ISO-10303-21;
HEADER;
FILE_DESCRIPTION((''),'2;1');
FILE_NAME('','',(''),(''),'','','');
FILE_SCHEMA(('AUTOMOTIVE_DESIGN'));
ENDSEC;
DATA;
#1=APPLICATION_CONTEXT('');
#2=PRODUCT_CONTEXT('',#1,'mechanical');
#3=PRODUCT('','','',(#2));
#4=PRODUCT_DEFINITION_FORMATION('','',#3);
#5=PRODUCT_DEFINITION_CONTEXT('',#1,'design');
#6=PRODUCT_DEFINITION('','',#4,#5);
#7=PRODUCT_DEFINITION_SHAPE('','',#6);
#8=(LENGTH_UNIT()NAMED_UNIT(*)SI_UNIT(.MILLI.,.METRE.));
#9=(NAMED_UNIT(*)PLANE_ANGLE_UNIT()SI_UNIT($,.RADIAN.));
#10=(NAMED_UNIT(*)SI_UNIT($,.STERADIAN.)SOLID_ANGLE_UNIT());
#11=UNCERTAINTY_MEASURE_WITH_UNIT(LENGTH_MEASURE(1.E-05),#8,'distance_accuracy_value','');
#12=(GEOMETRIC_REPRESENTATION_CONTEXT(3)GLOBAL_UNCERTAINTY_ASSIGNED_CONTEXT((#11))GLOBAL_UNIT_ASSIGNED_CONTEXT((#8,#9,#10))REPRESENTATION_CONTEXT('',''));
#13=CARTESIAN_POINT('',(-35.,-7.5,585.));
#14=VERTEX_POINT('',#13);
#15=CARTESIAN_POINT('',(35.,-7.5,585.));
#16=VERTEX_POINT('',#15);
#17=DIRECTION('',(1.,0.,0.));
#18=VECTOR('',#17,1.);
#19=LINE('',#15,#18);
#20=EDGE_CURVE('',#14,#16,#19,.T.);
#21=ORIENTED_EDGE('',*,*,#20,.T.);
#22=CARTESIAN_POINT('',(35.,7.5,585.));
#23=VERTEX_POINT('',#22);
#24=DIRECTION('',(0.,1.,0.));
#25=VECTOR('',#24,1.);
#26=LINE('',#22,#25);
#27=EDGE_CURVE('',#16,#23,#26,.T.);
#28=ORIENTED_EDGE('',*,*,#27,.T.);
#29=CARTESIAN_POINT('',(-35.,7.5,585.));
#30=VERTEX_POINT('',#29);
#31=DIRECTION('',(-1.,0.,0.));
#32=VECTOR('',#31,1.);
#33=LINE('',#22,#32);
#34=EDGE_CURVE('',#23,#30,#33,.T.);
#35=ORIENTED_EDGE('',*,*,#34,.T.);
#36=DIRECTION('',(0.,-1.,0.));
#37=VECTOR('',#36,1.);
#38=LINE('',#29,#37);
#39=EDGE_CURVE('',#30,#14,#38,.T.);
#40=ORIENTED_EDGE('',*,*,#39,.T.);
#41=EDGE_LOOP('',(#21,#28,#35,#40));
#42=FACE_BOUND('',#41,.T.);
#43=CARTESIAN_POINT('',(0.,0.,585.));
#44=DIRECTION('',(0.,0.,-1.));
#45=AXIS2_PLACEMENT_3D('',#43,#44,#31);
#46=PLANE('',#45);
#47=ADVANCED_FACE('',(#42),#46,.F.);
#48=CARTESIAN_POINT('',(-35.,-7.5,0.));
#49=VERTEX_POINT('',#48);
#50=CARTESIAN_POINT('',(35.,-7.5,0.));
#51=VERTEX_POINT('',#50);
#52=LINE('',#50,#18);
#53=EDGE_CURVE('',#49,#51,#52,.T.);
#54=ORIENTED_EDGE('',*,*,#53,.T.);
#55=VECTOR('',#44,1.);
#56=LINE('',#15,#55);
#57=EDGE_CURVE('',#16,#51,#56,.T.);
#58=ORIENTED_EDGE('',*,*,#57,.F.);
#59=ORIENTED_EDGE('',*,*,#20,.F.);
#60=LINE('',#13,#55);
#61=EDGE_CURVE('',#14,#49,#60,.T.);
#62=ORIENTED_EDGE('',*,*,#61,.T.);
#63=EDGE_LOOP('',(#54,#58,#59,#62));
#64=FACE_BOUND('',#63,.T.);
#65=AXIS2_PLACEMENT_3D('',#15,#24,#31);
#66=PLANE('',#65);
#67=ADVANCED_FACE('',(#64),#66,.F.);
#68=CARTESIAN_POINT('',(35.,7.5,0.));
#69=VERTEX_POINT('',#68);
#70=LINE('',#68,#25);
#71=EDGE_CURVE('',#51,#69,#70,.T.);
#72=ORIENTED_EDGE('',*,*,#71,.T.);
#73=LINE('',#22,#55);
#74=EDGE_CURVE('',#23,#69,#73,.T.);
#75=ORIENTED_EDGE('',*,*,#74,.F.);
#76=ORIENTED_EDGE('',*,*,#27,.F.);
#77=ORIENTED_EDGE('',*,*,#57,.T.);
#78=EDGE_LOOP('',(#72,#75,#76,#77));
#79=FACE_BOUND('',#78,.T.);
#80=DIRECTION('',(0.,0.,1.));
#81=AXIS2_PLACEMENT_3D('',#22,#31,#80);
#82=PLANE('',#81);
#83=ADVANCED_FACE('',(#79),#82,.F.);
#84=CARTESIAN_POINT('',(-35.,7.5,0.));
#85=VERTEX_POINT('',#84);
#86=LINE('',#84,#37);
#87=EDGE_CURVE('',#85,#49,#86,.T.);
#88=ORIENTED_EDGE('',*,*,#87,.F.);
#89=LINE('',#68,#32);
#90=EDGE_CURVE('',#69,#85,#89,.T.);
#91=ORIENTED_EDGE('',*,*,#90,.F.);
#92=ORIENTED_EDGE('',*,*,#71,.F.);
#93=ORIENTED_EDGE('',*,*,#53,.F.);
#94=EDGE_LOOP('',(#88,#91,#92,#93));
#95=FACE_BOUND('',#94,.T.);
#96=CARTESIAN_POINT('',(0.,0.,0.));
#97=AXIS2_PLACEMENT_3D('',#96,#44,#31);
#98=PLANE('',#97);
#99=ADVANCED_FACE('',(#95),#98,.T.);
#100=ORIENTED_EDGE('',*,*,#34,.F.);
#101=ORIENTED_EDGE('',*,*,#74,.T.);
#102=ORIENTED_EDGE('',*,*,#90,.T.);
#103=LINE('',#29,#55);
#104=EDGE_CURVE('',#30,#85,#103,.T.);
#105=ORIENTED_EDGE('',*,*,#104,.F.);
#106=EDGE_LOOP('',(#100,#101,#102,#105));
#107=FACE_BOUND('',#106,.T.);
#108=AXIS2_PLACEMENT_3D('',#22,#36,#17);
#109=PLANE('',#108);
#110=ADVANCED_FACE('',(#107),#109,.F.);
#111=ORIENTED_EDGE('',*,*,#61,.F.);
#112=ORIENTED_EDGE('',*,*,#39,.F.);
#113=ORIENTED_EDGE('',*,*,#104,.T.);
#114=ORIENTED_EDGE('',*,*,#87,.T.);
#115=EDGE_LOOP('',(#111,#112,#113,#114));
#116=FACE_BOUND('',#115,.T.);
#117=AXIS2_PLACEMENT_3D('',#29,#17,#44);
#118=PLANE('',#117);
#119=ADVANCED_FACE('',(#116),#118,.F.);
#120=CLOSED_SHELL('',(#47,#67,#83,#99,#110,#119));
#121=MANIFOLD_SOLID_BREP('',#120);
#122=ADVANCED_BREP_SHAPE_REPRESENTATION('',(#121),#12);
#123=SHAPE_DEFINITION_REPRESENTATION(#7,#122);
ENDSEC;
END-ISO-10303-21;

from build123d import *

# Parameters (mm, degrees)
ESBO_O1_W                = 70
ESBO_O1_H                = 15
RESSALTO_EXTRUS_O1_DEPTH = 585


with BuildPart() as part:
    # Esboço1 → Ressalto-extrusão1 (new body)
    with BuildSketch(Plane.XY):
        Rectangle(ESBO_O1_W, ESBO_O1_H)
    extrude(amount=RESSALTO_EXTRUS_O1_DEPTH)


solid = part.part
